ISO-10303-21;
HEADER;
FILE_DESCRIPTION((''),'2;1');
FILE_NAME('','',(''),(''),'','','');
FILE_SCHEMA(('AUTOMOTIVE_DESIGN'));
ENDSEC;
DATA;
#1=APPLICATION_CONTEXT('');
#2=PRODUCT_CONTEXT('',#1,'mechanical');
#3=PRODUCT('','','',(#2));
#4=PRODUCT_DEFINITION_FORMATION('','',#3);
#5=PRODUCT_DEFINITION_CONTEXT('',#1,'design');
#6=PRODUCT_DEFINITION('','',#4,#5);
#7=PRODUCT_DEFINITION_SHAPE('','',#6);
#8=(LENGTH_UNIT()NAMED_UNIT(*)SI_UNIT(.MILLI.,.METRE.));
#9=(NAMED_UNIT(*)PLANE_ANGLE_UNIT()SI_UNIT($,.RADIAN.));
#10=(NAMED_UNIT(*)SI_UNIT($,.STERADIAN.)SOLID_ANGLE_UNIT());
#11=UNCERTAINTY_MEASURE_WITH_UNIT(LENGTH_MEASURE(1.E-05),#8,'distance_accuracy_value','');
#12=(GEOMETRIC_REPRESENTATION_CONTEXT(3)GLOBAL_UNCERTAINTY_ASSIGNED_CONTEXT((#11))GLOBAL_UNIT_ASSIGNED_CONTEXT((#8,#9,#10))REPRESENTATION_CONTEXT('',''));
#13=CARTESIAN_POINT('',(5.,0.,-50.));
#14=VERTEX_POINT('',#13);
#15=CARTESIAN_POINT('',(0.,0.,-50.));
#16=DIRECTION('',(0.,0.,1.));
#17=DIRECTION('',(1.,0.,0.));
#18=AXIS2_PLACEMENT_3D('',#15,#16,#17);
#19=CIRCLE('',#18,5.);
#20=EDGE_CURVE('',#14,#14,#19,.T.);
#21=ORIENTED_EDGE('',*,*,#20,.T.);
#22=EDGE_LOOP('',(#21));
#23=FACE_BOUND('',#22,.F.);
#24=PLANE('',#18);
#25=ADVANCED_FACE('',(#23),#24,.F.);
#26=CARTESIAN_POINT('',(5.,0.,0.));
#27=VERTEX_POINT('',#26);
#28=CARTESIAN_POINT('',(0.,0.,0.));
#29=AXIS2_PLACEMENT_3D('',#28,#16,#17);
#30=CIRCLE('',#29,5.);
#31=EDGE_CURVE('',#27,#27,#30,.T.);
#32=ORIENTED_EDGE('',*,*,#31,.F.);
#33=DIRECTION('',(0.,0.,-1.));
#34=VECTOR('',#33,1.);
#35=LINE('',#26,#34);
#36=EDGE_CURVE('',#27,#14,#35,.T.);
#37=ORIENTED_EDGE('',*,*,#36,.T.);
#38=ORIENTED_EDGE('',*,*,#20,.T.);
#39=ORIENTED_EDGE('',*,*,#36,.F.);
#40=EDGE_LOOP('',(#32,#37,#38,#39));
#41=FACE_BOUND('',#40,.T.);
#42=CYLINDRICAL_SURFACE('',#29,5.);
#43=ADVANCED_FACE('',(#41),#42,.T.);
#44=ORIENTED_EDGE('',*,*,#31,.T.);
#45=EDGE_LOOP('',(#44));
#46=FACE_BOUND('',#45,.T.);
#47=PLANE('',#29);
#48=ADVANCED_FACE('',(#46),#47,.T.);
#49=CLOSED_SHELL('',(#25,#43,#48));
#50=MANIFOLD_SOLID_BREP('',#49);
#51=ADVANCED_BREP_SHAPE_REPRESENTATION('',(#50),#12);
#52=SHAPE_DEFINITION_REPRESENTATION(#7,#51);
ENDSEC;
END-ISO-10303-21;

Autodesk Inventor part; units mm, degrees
ref_plane "YZ Plane" through (0, 0, 0) normal (1, 0, 0) x (0, 1, 0)
ref_plane "XZ Plane" through (0, 0, 0) normal (0, 1, 0) x (-1, 0, 0)
ref_plane "XY Plane" through (0, 0, 0) normal (0, 0, 1) x (1, 0, 0)
sketch "Sketch1" plane through (0, 0, 0) normal (0, 0, 1) x (1, 0, 0)
  circle A0 centre (0, 0) radius 5
  dimension "d0" = 10
extrude "Extrusion1" add sketch "Sketch1" against normal blind 50
properties part number "hinge cilinder"
